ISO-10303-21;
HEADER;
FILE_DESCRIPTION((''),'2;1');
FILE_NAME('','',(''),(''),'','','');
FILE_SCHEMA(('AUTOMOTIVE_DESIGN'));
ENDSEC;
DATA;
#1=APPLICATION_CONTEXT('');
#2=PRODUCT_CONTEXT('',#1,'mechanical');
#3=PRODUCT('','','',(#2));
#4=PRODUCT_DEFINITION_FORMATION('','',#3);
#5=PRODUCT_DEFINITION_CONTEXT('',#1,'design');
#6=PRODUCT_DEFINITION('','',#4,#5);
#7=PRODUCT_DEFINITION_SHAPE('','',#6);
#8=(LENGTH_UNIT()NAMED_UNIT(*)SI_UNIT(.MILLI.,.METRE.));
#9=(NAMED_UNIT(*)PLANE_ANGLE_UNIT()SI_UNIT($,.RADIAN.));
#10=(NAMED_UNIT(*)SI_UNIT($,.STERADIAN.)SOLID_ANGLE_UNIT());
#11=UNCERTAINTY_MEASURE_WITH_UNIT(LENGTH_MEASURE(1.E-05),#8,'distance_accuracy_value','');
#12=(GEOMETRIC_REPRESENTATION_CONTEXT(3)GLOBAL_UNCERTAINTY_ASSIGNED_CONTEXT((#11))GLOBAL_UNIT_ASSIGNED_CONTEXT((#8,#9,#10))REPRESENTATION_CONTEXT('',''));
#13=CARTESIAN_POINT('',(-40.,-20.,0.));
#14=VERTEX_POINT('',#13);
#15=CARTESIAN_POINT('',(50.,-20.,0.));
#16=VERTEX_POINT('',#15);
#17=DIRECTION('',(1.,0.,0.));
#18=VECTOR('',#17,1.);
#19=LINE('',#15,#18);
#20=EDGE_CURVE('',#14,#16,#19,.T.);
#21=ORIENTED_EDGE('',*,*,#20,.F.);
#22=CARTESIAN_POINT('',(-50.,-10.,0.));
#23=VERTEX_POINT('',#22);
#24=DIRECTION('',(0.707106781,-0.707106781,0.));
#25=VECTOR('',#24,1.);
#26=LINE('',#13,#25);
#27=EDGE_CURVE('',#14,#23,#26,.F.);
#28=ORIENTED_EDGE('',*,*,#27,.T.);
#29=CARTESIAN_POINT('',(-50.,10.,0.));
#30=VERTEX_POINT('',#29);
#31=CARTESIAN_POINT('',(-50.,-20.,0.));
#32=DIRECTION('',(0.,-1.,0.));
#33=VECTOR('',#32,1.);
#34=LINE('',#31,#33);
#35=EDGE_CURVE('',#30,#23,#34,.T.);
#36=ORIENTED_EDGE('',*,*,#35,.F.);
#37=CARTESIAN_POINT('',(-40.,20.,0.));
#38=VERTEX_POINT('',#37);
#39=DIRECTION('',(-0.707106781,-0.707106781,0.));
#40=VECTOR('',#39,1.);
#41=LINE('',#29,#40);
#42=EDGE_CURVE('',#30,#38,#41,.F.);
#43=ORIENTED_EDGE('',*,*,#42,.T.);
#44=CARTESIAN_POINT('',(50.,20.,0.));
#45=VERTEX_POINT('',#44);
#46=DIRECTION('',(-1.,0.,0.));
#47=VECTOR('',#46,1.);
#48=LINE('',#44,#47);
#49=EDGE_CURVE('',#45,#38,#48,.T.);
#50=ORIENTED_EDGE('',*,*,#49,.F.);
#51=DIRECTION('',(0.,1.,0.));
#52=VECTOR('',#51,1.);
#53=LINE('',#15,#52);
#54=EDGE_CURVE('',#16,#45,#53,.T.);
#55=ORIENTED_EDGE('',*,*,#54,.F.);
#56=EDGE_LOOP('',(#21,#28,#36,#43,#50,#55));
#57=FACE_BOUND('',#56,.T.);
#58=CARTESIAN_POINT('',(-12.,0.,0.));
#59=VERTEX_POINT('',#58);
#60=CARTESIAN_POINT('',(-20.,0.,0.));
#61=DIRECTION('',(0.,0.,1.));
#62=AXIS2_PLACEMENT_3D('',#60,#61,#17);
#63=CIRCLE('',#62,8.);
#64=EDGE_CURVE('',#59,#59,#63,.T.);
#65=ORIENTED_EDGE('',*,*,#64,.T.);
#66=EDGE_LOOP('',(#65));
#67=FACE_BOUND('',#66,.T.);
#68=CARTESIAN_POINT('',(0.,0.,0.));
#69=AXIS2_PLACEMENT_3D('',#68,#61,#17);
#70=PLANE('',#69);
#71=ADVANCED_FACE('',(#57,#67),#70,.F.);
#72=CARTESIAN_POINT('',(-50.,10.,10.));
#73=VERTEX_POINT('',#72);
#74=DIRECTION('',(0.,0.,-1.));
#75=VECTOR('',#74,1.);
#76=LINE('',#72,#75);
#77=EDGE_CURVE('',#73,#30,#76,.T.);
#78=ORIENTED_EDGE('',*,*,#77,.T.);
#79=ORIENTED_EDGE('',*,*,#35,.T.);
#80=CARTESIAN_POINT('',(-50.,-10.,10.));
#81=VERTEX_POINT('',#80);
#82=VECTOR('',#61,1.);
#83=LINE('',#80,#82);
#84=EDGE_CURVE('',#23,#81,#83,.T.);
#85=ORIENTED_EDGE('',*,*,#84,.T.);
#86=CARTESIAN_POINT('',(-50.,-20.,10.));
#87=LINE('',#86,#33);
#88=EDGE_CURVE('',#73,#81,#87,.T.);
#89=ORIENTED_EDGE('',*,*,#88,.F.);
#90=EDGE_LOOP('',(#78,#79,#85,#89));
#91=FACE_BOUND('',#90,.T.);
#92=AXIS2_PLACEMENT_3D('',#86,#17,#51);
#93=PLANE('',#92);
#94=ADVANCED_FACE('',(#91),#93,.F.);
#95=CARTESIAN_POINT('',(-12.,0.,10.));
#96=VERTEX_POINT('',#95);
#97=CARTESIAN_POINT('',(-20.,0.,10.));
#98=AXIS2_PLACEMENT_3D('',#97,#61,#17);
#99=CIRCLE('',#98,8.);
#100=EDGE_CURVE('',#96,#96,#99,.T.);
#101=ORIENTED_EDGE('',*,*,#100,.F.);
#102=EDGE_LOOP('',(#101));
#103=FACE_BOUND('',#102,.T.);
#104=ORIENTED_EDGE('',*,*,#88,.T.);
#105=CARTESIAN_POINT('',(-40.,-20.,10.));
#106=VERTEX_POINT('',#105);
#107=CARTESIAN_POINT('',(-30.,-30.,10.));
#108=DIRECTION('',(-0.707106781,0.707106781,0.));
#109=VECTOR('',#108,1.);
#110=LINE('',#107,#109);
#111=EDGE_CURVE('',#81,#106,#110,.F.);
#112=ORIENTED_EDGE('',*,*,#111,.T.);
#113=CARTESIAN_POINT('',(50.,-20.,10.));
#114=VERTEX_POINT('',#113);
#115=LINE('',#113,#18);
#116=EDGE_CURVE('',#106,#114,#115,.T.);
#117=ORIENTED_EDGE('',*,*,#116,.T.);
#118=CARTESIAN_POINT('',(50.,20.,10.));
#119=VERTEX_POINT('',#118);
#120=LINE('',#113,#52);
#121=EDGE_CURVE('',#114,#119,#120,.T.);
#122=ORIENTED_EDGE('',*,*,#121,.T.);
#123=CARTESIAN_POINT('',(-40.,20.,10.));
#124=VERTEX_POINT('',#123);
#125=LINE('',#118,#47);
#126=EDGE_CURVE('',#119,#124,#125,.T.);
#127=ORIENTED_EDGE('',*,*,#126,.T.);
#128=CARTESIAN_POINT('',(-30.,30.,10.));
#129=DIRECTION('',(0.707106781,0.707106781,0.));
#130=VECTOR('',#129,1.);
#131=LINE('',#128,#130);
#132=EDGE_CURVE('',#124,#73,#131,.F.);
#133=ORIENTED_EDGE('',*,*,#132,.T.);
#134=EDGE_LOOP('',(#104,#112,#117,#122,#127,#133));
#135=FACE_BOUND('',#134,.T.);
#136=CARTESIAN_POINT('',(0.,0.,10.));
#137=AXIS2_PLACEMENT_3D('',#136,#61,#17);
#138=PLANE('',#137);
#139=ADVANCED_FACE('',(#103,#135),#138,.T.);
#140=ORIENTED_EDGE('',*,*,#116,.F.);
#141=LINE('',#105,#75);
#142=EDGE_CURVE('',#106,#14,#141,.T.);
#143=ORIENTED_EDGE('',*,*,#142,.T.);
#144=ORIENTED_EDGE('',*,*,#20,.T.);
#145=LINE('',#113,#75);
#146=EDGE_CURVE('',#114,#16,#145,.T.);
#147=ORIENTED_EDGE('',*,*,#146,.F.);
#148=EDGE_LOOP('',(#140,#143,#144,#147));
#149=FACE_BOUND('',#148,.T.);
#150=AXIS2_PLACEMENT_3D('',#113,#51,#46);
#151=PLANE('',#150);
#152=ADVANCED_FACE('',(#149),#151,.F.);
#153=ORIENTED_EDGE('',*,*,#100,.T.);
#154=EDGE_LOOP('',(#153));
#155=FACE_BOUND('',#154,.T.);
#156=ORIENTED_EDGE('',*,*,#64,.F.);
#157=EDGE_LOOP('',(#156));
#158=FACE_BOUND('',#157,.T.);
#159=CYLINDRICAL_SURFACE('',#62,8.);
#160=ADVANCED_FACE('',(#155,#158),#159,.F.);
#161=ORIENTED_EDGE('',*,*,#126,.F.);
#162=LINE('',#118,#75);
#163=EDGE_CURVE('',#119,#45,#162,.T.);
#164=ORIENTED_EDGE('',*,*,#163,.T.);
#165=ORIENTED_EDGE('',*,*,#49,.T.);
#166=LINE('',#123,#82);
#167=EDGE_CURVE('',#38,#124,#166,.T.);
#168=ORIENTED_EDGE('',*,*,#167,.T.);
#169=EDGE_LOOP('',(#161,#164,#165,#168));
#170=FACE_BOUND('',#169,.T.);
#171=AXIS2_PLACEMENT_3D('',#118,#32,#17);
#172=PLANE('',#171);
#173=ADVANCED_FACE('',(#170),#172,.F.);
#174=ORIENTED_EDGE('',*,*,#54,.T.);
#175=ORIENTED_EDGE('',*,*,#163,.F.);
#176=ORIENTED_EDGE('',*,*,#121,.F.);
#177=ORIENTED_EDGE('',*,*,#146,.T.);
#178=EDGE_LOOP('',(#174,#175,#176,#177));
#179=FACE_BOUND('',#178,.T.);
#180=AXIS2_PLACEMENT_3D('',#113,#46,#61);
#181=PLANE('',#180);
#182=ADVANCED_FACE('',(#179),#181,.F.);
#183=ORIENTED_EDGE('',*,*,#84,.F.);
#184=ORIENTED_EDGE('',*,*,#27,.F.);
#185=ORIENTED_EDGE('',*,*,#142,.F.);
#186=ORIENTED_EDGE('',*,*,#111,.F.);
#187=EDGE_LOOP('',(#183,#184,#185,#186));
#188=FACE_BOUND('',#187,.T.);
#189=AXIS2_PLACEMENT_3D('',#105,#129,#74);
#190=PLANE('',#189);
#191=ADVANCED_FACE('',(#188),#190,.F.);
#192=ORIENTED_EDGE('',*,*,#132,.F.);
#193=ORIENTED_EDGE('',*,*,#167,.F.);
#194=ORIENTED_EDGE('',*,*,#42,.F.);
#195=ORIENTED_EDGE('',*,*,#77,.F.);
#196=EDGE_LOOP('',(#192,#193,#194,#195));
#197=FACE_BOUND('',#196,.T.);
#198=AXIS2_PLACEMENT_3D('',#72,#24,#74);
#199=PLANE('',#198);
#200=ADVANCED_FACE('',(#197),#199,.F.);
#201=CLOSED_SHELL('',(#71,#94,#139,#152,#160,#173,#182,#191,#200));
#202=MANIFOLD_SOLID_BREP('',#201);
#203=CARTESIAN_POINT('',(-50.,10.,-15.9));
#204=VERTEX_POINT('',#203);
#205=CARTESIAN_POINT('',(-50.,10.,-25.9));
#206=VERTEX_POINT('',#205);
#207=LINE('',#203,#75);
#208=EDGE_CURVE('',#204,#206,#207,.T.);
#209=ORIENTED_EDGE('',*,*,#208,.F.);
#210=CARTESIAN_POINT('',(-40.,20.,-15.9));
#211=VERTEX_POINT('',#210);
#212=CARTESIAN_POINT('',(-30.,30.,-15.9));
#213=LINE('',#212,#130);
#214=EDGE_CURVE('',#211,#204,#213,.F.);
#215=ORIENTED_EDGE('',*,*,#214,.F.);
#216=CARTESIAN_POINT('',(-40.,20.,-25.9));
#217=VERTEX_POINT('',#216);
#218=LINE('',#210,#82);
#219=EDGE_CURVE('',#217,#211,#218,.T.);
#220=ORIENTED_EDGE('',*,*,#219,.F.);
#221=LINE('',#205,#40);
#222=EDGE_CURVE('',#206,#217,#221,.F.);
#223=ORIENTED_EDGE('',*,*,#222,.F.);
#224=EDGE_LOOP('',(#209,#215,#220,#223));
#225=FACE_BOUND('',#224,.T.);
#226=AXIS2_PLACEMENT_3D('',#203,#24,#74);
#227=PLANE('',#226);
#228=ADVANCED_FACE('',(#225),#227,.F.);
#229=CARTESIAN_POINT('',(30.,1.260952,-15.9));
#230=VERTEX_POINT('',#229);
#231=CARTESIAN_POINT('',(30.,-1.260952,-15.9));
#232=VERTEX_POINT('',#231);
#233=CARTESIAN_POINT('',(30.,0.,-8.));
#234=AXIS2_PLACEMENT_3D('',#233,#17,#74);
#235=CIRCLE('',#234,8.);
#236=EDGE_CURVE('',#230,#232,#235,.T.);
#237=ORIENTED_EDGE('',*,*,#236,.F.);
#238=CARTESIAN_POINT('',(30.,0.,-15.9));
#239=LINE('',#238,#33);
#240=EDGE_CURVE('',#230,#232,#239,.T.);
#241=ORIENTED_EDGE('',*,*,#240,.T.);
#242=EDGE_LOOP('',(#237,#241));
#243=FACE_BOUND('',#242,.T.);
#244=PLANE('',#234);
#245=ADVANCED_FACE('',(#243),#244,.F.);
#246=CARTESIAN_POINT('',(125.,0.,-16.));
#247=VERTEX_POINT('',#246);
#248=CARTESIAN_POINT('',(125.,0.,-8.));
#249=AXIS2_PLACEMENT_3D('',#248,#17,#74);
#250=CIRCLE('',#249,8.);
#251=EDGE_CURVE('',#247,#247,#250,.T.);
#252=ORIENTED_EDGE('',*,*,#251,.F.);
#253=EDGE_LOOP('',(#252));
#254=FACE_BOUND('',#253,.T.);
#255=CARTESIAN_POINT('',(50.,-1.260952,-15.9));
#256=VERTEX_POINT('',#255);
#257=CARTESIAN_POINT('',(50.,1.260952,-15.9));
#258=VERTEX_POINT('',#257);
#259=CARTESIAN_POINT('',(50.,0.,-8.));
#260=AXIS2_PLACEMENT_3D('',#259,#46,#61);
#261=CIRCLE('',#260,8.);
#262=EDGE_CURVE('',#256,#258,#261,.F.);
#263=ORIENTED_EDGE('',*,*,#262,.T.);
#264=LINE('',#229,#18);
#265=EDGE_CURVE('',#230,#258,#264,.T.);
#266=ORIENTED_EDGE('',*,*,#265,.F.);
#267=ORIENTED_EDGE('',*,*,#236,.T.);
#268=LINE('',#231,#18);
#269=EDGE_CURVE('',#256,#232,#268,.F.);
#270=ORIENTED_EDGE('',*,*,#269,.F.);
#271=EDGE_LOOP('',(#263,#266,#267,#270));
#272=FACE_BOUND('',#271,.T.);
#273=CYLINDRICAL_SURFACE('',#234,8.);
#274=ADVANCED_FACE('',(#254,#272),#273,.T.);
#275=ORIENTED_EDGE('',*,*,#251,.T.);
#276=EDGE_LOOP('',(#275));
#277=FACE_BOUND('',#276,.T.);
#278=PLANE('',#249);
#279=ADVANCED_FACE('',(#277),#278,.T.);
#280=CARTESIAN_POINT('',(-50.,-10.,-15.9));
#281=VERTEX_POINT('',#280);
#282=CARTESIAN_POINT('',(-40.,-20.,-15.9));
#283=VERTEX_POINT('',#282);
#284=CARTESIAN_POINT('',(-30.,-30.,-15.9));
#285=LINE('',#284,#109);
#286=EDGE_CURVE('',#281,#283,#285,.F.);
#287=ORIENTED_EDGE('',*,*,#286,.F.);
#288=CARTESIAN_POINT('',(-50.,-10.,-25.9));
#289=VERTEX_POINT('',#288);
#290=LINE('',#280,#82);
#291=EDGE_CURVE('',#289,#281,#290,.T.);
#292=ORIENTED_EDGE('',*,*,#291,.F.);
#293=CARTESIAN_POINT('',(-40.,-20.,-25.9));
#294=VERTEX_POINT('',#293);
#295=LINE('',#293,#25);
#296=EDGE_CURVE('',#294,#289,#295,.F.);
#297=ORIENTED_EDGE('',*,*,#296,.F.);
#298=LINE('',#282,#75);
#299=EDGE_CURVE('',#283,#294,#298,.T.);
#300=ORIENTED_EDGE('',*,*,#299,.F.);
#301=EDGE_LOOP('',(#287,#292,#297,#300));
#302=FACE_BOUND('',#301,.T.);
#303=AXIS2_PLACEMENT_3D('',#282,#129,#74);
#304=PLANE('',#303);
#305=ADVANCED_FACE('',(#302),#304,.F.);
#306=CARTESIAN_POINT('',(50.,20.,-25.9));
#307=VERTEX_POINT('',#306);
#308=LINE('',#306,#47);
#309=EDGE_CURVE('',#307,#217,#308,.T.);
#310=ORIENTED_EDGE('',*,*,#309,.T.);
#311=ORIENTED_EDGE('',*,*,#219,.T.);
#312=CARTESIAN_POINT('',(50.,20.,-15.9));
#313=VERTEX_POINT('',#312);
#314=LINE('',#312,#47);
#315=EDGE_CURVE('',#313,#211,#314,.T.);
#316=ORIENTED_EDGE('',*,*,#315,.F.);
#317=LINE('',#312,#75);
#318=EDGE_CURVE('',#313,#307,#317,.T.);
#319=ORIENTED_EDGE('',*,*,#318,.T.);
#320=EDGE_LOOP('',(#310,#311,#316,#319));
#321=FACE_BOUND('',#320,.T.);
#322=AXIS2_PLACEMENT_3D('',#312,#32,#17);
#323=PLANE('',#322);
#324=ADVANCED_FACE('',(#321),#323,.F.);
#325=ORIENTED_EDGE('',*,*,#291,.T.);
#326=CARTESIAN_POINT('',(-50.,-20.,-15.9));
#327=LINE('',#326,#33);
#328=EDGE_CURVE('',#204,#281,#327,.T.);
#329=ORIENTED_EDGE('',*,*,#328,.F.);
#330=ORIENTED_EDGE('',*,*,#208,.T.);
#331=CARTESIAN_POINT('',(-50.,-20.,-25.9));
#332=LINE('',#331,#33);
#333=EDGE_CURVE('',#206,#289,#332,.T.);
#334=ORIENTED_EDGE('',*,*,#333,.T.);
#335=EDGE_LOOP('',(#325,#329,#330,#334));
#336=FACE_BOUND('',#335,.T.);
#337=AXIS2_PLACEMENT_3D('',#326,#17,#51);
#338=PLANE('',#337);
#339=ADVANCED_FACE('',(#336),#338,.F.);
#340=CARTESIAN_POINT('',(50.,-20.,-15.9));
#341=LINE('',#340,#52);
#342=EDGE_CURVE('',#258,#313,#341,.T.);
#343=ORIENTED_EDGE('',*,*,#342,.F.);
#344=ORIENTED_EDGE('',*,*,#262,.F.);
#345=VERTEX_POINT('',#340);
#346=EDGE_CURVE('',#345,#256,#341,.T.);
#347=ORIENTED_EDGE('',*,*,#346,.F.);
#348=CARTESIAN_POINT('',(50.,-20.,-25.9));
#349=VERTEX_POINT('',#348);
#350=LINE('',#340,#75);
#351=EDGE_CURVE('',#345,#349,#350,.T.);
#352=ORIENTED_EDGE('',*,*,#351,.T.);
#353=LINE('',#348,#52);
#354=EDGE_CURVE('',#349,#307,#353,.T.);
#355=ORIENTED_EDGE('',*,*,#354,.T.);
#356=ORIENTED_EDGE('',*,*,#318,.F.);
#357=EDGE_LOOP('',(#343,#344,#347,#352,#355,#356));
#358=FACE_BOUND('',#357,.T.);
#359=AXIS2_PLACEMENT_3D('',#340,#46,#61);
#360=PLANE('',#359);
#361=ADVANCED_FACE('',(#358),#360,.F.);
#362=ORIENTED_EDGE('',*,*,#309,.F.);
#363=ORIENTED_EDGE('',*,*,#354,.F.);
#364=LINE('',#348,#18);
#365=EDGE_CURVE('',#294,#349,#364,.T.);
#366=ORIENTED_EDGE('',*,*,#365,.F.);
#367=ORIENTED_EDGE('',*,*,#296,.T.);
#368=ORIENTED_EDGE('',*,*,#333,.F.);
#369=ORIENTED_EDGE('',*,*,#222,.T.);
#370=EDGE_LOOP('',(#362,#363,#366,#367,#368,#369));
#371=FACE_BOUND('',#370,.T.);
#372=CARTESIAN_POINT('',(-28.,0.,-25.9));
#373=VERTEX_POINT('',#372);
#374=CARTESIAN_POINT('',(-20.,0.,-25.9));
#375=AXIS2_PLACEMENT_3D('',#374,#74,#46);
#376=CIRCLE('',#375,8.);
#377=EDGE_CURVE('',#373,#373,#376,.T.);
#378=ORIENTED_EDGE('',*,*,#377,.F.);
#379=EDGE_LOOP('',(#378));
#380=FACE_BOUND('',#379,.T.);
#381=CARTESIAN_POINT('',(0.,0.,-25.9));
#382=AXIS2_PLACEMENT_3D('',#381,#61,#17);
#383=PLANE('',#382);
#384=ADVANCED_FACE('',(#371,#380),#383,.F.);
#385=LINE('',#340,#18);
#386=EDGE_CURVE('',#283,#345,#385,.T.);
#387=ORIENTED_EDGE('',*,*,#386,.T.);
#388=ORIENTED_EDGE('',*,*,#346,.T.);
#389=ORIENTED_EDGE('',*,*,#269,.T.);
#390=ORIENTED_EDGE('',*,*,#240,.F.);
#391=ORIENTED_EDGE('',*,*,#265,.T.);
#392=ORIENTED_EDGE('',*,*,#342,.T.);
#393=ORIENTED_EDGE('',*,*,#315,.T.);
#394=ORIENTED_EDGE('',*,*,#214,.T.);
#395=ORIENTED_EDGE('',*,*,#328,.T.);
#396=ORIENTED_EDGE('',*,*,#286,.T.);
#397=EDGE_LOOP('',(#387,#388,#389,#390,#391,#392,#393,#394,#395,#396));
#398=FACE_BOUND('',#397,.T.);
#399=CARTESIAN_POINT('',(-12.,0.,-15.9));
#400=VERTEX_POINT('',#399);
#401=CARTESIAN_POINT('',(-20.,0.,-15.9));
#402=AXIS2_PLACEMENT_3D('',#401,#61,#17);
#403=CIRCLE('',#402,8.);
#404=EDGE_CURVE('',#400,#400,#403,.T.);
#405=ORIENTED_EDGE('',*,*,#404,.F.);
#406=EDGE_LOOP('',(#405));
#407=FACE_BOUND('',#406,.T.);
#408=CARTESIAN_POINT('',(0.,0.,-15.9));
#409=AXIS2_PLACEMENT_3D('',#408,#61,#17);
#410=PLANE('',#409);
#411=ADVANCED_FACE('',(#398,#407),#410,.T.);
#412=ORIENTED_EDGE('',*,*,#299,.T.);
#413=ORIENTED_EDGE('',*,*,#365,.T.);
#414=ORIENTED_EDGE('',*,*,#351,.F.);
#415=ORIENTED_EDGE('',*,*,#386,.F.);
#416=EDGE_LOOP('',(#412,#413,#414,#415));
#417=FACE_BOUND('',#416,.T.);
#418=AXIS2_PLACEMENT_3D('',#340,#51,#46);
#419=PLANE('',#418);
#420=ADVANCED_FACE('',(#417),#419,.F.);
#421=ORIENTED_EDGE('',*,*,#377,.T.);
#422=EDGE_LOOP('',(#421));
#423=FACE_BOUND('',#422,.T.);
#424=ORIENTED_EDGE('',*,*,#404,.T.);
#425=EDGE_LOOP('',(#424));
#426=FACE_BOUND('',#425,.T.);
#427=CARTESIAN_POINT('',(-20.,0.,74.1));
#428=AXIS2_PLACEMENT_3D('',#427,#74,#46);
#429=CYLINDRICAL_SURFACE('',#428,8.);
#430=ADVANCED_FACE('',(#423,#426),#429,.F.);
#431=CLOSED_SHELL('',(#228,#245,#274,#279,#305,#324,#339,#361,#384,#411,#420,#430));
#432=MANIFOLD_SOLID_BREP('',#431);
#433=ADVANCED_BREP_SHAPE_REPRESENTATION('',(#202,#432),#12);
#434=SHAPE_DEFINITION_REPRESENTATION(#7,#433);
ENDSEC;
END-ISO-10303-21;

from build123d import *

# Parameters (mm, degrees)
SKETCH1_W                = 100
SKETCH1_H                = 40
BOSS_EXTRUDE1_DEPTH      = 10
SKETCH4_R                = 8
CUT_EXTRUDE1_DEPTH       = 10
CHAMFER2_SIZE            = 10
CHAMFER3_SIZE            = 10
BOSS_EXTRUDE2_DEPTH      = 75
BOSS_EXTRUDE2_DEPTH_BACK = 20
SKETCH5_R                = 8
LPATTERN1_COUNT          = 2
LPATTERN1_PITCH          = 25.9
CHAMFER4_SIZE            = 10
CHAMFER5_SIZE            = 10
CUT_EXTRUDE2_START       = -100
SKETCH6_R                = 8
CUT_EXTRUDE2_DEPTH       = 100


with BuildPart() as part:
    # Sketch1 → Boss-Extrude1 (new body)
    with BuildSketch(Plane.XY):
        Rectangle(SKETCH1_W, SKETCH1_H)
    boss_extrude1 = extrude(amount=BOSS_EXTRUDE1_DEPTH)

    # Sketch4 → Cut-Extrude1 (cut)
    with BuildSketch(Plane.XY.offset(10)):
        with Locations((-20, 0)):
            Circle(SKETCH4_R)
    extrude(amount=-CUT_EXTRUDE1_DEPTH, mode=Mode.SUBTRACT)

    # Chamfer2
    chamfer2_edges = [part.edges().sort_by_distance(p)[0] for p in [
        (-50, 20, 5),
    ]]
    chamfer(chamfer2_edges, length=CHAMFER2_SIZE)

    # Chamfer3
    chamfer3_edges = [part.edges().sort_by_distance(p)[0] for p in [
        (-50, -20, 5),
    ]]
    chamfer(chamfer3_edges, length=CHAMFER3_SIZE)


with BuildPart() as body_2:
    # Sketch5 → Boss-Extrude2 (new, two sides: drawn at the far end of the back side and taken through both)
    with BuildSketch(Plane(origin=(50, 0, 0), x_dir=(0, 0, -1), z_dir=(1, 0, 0)).offset(-BOSS_EXTRUDE2_DEPTH_BACK)):
        with Locations((8, 0)):
            Circle(SKETCH5_R)
    extrude(amount=BOSS_EXTRUDE2_DEPTH + BOSS_EXTRUDE2_DEPTH_BACK)

    # LPattern1: Boss-Extrude1 ×2
    with Locations(*[(0, 0, -i * LPATTERN1_PITCH) for i in range(1, LPATTERN1_COUNT)]):
        add(boss_extrude1)

    # Chamfer4
    chamfer4_edges = [body_2.edges().sort_by_distance(p)[0] for p in [
        (-50, 20, -20.9),
    ]]
    chamfer(chamfer4_edges, length=CHAMFER4_SIZE)

    # Chamfer5
    chamfer5_edges = [body_2.edges().sort_by_distance(p)[0] for p in [
        (-50, -20, -20.9),
    ]]
    chamfer(chamfer5_edges, length=CHAMFER5_SIZE)

    # Sketch6 → Cut-Extrude2 (cut)
    with BuildSketch(Plane(origin=(0, 0, -25.9), x_dir=(-1, 0, 0), z_dir=(0, 0, -1)).offset(CUT_EXTRUDE2_START)):
        with Locations((20, 0)):
            Circle(SKETCH6_R)
    extrude(amount=CUT_EXTRUDE2_DEPTH, mode=Mode.SUBTRACT)


solid = Compound([part.part, body_2.part])
